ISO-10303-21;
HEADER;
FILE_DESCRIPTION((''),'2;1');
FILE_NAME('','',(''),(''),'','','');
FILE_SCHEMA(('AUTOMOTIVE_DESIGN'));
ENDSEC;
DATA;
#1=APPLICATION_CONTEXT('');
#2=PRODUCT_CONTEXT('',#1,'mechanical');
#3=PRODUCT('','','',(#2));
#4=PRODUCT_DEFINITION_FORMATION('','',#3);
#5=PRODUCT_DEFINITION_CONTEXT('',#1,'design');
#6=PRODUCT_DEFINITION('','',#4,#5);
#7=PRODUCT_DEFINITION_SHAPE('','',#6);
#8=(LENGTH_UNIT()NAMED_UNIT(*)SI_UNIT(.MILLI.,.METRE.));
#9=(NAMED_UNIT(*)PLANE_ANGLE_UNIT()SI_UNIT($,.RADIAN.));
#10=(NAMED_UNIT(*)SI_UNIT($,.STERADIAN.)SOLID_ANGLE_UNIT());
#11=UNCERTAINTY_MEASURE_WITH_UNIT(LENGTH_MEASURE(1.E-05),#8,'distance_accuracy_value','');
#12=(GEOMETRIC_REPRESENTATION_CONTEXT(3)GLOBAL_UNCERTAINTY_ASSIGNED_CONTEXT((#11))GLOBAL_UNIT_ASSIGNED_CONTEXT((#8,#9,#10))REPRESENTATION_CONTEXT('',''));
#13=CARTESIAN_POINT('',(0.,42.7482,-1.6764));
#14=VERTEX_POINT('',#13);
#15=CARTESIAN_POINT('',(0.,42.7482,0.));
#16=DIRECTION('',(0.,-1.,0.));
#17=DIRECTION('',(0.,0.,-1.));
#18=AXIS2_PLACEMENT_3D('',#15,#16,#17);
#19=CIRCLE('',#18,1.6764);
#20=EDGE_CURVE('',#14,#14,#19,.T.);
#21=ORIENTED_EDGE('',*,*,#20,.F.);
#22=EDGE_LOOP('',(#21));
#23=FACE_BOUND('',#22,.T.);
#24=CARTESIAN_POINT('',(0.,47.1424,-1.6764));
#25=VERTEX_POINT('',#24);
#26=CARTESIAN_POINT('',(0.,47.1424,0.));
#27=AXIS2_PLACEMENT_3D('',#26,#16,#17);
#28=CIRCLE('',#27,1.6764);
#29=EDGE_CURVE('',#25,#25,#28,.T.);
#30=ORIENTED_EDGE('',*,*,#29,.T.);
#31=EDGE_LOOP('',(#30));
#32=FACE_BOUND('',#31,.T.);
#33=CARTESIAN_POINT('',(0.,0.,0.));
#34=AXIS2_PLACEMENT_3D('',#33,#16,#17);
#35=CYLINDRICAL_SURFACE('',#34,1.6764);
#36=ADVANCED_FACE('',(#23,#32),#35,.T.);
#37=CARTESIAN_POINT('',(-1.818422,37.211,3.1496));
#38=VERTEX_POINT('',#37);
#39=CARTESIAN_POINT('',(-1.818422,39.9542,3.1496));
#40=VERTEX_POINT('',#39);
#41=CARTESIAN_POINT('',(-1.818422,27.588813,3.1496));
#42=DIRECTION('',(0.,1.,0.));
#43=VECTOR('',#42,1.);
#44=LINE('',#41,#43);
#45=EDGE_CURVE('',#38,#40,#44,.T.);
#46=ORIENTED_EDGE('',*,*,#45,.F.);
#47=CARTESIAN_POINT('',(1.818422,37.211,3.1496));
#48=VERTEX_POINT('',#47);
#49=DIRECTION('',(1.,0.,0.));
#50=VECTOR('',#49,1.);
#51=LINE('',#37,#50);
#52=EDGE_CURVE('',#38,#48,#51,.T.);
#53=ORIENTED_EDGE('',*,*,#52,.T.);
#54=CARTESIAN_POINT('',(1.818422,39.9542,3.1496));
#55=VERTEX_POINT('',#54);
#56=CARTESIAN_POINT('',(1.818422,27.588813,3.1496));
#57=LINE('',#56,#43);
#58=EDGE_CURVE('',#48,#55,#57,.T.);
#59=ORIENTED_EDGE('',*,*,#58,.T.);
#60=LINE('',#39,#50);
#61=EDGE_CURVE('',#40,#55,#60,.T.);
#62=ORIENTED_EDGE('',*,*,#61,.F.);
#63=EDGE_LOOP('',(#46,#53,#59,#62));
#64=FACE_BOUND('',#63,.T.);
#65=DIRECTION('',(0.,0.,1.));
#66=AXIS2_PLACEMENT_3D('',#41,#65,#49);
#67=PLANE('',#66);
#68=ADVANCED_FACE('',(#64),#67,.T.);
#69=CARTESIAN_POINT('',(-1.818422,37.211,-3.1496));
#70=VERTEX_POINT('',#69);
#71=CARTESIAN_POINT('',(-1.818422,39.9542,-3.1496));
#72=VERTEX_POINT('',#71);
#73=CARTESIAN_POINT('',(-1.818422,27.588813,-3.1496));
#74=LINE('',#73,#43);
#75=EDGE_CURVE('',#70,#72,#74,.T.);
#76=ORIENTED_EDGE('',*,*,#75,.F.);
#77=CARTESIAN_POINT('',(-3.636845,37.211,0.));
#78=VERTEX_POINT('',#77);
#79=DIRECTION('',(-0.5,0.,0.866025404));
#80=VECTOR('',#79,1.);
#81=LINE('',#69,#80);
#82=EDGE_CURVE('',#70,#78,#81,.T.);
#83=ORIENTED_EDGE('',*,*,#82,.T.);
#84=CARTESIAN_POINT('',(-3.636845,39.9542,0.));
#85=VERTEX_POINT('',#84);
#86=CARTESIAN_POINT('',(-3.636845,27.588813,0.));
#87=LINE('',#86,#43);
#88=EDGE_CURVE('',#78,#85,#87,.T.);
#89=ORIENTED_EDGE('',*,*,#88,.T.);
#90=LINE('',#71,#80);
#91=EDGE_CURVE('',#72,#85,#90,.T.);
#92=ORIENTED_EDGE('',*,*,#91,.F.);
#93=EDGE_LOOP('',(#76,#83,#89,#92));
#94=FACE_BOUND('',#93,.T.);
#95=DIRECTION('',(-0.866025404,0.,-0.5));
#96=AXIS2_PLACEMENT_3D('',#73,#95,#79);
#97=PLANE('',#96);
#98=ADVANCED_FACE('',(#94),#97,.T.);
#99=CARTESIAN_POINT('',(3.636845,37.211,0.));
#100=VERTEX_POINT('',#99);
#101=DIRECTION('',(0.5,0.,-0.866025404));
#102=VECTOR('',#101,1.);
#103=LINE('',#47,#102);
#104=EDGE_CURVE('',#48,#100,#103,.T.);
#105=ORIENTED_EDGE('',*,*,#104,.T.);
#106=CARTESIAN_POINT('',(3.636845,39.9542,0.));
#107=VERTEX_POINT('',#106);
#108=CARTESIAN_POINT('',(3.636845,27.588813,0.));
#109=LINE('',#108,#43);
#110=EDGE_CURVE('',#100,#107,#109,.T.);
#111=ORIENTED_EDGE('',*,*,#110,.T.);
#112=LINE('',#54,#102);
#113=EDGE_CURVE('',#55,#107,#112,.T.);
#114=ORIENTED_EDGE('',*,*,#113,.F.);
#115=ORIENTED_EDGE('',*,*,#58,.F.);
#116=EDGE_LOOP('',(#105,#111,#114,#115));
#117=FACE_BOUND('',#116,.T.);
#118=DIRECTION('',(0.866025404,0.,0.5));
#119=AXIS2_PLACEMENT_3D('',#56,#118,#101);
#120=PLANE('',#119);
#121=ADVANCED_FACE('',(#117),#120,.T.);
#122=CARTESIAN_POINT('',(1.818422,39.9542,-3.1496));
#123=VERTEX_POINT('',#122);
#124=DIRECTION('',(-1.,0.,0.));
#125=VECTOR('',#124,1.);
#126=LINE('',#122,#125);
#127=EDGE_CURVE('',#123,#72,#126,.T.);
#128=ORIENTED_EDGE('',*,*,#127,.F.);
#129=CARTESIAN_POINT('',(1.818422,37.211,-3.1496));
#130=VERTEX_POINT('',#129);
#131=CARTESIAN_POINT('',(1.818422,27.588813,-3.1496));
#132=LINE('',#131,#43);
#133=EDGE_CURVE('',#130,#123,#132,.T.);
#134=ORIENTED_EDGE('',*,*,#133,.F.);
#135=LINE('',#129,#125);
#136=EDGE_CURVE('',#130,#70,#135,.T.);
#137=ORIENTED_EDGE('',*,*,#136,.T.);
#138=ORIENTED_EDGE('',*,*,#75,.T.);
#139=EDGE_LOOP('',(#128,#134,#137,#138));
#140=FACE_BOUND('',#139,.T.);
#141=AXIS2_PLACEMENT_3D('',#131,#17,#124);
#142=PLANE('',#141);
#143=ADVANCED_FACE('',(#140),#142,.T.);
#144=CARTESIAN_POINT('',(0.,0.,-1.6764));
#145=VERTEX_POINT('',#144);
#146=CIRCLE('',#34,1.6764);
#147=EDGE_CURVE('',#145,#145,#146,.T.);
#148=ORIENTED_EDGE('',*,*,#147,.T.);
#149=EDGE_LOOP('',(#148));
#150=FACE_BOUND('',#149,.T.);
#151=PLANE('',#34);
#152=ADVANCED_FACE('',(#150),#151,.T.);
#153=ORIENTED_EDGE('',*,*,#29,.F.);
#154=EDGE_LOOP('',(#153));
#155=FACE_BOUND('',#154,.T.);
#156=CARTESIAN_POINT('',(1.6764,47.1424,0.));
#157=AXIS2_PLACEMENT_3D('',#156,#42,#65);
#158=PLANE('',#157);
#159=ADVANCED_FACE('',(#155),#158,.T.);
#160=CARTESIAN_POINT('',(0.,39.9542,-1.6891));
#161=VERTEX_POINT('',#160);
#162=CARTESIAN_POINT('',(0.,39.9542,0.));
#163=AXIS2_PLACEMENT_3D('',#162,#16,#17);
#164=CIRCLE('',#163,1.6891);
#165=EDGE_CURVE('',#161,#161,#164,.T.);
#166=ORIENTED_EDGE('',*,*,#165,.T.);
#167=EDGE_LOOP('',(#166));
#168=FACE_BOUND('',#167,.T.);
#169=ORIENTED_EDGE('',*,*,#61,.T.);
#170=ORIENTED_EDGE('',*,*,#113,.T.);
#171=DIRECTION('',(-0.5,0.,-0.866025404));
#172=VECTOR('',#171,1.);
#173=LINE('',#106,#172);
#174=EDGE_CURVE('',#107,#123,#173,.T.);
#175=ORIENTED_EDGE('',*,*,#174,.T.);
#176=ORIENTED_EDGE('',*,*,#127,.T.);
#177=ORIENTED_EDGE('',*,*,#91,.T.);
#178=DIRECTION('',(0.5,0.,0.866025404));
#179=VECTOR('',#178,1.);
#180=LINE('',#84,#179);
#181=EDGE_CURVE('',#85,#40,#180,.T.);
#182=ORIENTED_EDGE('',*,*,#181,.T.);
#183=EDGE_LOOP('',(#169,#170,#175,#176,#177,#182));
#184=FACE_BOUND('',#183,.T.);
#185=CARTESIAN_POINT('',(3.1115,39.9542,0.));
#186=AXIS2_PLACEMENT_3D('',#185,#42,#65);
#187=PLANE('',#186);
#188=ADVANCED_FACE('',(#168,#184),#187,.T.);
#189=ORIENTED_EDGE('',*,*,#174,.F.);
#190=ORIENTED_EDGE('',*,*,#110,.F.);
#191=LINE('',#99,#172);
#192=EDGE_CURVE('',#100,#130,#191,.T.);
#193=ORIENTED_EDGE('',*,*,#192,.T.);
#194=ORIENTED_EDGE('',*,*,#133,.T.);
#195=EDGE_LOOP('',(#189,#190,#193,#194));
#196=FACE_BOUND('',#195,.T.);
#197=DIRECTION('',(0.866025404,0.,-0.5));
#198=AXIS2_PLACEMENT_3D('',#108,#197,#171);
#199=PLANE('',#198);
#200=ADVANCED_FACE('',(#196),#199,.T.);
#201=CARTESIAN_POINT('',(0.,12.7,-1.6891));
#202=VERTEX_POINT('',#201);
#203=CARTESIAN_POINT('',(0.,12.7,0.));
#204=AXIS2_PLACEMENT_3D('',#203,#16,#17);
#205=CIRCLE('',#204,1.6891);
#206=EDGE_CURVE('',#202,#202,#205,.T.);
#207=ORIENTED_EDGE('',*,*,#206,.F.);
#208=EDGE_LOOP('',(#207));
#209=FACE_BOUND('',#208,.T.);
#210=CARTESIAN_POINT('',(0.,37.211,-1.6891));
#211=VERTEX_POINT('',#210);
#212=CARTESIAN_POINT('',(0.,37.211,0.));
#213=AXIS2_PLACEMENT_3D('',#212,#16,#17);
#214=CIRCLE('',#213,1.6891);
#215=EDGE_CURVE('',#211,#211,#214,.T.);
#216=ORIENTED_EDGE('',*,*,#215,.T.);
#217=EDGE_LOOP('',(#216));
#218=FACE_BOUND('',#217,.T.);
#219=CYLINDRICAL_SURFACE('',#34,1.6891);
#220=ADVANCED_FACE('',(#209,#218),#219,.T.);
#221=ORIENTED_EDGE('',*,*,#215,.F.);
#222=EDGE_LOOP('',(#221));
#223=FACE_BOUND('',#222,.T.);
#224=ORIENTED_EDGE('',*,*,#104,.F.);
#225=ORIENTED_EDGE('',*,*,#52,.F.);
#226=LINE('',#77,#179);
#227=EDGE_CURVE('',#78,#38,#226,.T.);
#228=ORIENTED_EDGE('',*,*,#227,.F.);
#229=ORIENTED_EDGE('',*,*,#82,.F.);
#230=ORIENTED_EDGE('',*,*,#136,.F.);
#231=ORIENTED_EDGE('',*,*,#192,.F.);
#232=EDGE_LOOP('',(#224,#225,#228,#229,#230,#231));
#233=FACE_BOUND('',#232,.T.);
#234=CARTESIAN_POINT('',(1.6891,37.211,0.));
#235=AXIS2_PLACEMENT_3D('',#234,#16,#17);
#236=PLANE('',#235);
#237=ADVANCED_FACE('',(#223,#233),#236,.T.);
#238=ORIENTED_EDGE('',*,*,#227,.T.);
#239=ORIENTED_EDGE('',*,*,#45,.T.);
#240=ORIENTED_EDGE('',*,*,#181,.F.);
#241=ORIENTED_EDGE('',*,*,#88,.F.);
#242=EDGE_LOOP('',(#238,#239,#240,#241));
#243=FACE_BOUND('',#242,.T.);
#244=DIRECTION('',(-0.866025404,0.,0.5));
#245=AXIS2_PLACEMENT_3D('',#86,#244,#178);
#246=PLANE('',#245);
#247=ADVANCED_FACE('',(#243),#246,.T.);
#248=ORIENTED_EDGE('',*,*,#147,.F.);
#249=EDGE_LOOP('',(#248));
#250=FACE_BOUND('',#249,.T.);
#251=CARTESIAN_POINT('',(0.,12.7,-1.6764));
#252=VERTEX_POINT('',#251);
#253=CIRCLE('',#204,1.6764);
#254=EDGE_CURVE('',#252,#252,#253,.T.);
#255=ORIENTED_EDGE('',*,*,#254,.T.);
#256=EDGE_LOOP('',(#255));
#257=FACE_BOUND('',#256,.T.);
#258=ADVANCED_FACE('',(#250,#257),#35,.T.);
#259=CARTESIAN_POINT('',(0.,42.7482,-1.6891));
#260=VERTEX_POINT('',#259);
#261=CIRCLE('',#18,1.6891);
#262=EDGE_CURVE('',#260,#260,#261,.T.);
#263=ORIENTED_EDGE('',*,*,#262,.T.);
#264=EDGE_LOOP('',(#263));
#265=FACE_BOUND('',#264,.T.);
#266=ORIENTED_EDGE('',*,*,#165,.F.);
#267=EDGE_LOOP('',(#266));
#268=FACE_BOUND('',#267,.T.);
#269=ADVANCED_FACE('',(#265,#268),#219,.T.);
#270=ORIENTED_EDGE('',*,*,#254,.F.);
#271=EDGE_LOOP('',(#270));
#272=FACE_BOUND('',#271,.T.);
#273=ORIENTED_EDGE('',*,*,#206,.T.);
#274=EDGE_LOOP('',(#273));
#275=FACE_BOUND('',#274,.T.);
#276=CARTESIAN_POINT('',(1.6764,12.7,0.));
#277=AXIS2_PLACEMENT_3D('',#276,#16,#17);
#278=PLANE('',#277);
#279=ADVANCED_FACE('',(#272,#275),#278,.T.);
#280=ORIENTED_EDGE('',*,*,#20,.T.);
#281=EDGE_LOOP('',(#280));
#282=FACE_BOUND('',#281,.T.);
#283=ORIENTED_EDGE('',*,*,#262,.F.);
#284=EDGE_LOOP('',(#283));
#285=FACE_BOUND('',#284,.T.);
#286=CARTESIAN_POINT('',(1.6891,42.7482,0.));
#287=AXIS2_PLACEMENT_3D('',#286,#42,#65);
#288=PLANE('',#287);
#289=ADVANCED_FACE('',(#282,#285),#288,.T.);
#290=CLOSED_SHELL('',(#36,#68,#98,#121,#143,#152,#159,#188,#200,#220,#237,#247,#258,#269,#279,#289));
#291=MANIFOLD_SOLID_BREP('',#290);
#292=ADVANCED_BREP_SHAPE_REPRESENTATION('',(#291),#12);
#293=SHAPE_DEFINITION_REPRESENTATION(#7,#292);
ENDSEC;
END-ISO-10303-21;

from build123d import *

# Parameters (mm, degrees)
BOSS_EXTRUDE1_DEPTH = 2.7432


with BuildPart() as part:
    # Sketch1 → Revolve1 (revolve)
    with BuildSketch(Plane.XY, mode=Mode.PRIVATE) as revolve1_sk:
        Polygon((0, 0), (1.6764, 0), (1.6764, 12.7), (1.6891, 12.7), (1.6891, 37.211), (3.1115, 37.211), (3.1115, 39.9542), (1.6891, 39.9542), (1.6891, 42.7482), (1.6764, 42.7482), (1.6764, 47.1424), (0, 47.1424), align=None)
    revolve(revolve1_sk.sketch.rotate(Axis((0, 0, 0), (0, 1, 0)), 90), axis=Axis((0, 0, 0), (0, 1, 0)))  # turned: the seam where the file's is

    # Sketch2 → Boss-Extrude1 (add)
    with BuildSketch(Plane(origin=(0, 39.9542, 0), x_dir=(1, 0, 0), z_dir=(0, 1, 0))):
        Polygon((3.636844816, 0), (1.818422408, 3.1496), (-1.818422408, 3.1496), (-3.636844816, 0), (-1.818422408, -3.1496), (1.818422408, -3.1496), align=None)
    extrude(amount=-BOSS_EXTRUDE1_DEPTH)


solid = part.part
